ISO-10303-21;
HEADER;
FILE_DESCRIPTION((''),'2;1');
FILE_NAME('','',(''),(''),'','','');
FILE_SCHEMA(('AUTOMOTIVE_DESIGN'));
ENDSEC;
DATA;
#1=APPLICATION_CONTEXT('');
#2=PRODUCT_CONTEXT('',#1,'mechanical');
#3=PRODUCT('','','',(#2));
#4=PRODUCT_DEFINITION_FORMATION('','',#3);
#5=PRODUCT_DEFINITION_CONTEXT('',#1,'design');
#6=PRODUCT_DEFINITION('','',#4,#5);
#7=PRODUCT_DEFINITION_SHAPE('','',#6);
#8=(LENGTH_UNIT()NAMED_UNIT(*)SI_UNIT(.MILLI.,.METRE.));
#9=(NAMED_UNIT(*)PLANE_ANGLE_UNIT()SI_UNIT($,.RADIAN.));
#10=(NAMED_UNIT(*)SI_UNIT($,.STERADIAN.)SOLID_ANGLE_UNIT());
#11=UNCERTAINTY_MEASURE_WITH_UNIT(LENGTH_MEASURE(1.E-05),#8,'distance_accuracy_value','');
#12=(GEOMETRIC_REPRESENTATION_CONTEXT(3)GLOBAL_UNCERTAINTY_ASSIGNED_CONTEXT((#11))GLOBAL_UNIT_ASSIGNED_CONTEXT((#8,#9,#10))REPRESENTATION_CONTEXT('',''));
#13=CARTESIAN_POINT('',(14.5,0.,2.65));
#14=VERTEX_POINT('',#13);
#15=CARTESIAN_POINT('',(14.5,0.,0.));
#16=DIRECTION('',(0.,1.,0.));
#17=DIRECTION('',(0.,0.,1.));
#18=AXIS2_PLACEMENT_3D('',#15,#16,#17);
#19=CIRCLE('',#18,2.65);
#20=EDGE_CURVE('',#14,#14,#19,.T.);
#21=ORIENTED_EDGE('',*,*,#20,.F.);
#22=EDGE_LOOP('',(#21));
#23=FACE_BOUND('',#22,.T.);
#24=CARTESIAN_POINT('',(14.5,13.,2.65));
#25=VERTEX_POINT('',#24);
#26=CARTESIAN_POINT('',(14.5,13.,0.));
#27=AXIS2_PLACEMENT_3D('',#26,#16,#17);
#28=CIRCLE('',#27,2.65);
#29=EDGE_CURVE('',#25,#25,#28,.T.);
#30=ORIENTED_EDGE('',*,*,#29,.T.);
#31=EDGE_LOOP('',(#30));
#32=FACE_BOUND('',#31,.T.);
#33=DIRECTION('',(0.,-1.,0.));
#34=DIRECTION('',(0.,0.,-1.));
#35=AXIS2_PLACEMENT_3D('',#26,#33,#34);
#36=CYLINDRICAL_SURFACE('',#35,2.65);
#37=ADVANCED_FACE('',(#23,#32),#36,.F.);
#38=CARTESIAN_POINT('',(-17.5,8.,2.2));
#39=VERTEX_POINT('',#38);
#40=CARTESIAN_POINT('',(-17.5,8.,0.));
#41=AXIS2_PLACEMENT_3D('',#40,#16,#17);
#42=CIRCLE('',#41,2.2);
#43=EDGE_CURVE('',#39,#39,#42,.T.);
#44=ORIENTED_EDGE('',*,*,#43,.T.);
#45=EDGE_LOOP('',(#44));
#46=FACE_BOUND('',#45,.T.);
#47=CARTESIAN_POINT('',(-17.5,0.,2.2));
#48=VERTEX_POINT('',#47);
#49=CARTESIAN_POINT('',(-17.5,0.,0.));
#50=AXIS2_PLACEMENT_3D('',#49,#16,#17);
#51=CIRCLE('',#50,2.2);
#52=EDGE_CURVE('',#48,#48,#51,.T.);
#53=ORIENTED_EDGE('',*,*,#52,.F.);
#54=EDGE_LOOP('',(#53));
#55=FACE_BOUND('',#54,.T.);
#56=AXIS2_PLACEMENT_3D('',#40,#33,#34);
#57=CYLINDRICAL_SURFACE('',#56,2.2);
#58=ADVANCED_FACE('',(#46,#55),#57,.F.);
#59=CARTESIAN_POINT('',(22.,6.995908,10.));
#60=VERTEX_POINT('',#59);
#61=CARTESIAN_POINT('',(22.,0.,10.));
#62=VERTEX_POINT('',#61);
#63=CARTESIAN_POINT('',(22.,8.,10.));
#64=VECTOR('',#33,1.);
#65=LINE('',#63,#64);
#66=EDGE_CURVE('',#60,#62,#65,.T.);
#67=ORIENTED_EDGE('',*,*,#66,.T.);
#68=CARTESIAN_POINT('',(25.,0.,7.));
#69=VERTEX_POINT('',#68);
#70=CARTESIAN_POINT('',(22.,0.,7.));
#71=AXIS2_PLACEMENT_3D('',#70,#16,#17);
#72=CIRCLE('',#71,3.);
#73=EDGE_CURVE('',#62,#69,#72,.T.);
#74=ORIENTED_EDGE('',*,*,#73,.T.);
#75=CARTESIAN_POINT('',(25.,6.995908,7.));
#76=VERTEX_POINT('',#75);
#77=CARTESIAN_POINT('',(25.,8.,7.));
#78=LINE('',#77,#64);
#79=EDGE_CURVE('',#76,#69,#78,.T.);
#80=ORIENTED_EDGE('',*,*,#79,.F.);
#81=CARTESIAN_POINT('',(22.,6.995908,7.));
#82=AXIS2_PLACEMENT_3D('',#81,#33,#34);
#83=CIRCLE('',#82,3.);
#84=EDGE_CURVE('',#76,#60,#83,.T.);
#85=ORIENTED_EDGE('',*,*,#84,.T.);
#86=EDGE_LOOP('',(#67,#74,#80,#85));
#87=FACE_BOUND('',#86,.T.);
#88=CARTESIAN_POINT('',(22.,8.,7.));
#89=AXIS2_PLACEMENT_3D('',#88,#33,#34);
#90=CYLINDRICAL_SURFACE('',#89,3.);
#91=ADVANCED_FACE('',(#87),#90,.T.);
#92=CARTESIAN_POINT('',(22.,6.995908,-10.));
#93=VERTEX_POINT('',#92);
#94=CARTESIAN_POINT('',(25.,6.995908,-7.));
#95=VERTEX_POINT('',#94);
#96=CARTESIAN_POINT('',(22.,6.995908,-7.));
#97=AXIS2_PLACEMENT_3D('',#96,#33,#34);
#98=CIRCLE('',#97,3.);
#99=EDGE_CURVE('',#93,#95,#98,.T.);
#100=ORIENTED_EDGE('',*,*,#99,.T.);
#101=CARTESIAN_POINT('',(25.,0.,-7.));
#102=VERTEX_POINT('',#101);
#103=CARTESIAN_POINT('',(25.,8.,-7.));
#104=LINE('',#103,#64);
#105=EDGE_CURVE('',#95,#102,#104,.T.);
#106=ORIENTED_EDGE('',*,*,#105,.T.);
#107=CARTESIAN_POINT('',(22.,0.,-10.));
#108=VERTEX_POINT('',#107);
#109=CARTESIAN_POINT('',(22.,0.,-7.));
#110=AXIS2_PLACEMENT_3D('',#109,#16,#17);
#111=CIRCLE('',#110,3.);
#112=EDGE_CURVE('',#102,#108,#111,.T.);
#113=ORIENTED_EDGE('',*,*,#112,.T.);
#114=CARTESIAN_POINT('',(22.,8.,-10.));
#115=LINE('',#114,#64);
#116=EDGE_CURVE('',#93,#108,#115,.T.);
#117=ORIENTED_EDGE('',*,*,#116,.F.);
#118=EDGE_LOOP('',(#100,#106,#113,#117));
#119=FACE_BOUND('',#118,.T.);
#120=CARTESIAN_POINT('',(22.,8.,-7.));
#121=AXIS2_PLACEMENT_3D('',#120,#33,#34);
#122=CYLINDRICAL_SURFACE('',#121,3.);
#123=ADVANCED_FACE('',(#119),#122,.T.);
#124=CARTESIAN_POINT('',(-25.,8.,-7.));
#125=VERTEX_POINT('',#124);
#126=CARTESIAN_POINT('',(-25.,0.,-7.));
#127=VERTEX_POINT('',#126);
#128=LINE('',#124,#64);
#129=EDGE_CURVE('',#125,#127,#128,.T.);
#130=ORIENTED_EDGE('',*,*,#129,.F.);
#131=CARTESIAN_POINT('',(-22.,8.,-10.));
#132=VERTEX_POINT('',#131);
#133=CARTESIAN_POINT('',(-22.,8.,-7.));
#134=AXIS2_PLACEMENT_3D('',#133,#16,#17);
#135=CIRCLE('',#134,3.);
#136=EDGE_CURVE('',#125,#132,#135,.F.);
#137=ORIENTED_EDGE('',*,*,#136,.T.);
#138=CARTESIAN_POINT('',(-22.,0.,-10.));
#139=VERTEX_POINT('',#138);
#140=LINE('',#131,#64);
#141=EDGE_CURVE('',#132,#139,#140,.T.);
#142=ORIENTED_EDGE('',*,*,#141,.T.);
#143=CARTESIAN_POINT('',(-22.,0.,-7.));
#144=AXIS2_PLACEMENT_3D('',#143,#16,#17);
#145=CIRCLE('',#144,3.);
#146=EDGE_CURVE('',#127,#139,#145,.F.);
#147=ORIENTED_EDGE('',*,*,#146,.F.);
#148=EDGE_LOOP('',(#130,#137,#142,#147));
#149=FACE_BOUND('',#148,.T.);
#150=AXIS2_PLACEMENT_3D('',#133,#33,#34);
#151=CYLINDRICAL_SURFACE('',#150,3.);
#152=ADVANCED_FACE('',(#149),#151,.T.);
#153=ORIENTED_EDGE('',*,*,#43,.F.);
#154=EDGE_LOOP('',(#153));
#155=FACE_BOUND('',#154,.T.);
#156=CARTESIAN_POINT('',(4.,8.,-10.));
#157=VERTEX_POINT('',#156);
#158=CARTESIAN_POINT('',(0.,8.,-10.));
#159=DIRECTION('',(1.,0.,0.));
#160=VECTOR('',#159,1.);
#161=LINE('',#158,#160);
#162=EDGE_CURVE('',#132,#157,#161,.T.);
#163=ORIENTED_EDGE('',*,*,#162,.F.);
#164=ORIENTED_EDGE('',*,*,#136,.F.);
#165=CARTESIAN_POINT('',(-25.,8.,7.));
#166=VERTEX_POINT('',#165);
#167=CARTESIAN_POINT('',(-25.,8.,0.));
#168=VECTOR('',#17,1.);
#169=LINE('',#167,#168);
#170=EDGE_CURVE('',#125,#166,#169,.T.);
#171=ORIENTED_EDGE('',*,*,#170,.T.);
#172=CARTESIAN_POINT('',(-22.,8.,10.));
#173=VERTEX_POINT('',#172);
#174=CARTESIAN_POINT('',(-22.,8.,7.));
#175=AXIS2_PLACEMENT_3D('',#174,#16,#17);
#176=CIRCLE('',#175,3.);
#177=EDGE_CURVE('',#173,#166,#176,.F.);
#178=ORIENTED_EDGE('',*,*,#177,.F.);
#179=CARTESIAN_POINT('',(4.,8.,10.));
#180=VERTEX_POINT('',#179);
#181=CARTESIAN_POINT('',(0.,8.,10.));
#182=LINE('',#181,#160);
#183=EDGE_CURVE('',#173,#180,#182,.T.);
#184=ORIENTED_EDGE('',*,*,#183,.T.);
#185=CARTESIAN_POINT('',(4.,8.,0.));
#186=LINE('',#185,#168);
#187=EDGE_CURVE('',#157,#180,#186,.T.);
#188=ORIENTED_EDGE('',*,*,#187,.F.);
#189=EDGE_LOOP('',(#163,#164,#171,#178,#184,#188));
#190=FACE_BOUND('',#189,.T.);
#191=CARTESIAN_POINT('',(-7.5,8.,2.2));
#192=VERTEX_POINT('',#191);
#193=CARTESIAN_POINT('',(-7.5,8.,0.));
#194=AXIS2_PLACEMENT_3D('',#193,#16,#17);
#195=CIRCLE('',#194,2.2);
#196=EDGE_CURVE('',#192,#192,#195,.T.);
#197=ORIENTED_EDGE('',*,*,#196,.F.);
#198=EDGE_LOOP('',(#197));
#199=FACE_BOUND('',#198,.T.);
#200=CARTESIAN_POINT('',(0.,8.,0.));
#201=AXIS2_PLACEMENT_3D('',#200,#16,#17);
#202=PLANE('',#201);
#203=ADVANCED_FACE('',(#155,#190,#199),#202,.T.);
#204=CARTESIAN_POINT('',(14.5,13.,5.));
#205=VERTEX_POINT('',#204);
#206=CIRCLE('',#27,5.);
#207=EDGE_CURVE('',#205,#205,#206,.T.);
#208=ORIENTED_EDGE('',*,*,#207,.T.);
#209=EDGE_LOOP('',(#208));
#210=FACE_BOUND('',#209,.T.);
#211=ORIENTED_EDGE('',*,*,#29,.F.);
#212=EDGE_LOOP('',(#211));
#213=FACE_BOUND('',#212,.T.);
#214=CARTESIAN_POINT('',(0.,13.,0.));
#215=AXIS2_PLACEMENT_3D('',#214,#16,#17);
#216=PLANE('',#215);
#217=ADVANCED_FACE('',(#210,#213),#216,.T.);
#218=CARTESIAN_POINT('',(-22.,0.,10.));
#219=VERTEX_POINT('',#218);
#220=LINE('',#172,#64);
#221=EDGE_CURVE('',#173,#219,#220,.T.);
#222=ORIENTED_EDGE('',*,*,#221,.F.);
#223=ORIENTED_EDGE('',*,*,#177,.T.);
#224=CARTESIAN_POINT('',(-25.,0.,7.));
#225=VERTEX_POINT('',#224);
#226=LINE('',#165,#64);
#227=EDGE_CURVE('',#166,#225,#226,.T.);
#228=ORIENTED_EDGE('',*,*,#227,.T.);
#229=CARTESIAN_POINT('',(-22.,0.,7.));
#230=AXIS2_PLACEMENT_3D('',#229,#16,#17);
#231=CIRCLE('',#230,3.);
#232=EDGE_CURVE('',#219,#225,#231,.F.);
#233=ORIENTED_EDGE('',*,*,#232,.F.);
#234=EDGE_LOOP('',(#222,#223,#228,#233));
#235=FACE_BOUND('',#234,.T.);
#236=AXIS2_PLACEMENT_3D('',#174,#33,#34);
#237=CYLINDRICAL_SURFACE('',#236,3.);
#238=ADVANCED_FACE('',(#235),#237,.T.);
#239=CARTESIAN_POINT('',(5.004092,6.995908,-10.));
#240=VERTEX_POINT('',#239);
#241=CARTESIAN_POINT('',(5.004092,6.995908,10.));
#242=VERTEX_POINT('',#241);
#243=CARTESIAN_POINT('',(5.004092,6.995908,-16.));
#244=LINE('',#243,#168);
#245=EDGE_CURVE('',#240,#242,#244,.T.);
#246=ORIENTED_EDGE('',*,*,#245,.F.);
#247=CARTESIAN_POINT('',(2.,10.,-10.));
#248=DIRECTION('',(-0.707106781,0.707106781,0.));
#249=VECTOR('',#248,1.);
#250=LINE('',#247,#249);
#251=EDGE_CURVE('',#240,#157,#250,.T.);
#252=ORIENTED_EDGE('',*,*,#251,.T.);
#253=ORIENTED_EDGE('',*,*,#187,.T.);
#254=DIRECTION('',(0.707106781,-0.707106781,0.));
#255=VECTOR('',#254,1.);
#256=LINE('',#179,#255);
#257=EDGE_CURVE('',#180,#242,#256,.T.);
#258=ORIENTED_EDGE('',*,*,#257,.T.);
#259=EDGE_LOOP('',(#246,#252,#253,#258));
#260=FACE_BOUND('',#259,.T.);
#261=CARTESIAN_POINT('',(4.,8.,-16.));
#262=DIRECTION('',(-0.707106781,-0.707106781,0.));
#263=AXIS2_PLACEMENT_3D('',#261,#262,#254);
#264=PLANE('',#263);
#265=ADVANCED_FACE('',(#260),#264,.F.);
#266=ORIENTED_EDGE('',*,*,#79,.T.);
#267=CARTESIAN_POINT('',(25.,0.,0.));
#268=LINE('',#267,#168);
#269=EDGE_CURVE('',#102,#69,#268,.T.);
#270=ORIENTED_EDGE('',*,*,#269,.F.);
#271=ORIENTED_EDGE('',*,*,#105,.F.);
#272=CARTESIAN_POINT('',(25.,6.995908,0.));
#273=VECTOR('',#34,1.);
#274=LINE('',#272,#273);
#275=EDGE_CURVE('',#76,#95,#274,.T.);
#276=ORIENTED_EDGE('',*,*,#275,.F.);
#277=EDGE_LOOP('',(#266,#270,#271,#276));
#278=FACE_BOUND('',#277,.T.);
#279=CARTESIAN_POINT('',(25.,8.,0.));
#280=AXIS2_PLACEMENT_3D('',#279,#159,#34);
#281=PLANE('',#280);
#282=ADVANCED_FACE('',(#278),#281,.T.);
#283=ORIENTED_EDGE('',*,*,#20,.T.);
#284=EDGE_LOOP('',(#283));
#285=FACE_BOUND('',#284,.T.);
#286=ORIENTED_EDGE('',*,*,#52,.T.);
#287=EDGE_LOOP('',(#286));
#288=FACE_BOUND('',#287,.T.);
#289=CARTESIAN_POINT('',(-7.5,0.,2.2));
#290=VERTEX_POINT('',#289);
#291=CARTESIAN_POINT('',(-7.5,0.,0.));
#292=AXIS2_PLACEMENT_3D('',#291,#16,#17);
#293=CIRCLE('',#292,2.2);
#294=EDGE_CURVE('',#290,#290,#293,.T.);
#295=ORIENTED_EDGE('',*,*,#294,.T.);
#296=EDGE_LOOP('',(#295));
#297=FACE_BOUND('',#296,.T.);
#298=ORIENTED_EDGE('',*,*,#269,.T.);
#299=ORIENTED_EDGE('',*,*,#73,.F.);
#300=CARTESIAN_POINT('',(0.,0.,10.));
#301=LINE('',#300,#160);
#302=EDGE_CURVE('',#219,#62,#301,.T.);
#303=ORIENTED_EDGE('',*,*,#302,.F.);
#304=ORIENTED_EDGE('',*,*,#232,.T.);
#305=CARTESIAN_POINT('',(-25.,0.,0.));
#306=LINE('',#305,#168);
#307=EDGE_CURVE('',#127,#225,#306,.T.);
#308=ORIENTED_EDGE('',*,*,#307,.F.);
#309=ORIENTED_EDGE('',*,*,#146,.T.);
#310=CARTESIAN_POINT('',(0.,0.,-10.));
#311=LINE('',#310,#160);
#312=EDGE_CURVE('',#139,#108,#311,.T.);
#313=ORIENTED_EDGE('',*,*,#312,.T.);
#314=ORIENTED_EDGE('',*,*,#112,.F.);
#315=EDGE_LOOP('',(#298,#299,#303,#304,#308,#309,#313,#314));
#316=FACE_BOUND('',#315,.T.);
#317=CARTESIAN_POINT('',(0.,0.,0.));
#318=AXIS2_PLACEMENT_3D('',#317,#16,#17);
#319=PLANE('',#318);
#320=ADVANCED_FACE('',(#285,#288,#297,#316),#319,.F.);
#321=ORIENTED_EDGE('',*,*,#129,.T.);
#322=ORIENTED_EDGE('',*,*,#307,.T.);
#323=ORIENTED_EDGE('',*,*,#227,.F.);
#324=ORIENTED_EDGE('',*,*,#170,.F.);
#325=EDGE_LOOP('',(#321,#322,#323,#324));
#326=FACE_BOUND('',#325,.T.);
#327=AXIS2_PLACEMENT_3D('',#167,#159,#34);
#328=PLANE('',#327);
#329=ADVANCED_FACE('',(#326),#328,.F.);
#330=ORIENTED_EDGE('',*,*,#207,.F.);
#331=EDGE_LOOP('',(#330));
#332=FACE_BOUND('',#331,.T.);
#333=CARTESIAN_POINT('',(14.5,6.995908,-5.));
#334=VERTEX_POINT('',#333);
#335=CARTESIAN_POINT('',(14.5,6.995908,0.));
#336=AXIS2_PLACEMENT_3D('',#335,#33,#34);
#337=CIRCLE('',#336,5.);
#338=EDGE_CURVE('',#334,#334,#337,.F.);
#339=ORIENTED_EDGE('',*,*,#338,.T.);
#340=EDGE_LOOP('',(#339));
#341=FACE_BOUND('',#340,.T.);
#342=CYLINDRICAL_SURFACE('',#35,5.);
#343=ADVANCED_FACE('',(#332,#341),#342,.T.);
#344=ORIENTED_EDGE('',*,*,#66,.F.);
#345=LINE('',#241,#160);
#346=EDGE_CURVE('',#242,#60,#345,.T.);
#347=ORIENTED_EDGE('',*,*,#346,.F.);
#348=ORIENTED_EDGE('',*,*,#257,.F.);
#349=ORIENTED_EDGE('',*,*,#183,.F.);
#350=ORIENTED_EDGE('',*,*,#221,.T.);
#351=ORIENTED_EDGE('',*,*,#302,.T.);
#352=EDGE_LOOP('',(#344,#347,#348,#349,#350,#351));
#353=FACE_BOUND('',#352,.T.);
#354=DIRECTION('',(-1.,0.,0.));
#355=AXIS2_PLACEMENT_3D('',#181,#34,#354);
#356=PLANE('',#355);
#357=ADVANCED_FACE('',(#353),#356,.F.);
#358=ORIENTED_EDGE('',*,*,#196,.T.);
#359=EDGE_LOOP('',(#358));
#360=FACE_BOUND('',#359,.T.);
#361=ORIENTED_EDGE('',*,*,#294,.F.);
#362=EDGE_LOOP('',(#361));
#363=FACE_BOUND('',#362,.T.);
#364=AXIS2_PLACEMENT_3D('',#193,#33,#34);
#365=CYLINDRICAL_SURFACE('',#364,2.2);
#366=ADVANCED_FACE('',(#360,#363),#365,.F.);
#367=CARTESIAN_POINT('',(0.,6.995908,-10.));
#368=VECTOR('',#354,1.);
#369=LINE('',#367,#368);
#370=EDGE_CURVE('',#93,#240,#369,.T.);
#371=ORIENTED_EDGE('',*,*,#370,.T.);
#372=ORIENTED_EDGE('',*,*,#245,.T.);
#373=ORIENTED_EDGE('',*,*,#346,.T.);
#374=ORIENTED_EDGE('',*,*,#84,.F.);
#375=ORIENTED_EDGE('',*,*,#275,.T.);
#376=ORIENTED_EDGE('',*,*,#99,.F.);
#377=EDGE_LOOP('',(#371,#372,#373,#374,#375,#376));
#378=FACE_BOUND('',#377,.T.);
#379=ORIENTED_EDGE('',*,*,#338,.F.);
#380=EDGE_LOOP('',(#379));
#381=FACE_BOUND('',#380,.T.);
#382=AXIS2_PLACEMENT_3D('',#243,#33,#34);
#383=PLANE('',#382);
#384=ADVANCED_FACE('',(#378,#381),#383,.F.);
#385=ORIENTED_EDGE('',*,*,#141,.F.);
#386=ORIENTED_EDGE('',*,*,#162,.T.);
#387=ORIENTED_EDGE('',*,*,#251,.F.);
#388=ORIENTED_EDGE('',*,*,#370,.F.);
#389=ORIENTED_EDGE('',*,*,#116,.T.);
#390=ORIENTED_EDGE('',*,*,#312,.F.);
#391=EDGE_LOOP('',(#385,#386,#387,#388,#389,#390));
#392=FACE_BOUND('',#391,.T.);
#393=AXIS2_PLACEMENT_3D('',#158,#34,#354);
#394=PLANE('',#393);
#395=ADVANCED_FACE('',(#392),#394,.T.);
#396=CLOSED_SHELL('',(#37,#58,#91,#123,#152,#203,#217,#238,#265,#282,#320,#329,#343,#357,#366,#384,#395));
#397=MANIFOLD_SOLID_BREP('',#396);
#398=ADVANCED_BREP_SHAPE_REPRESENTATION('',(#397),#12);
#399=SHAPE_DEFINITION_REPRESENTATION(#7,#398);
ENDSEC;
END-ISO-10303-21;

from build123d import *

# Parameters (mm, degrees)
CROQUIS1_R              = 2.2
CROQUIS1_R_2            = 5
SALIENTE_EXTRUIR1_DEPTH = 8
CORTAR_EXTRUIR1_DEPTH   = 26
CROQUIS1_3_R            = 5
CROQUIS1_3_R_2          = 2.65
SALIENTE_EXTRUIR2_DEPTH = 13


with BuildPart() as part:
    # Croquis1 → Saliente-Extruir1 (new body)
    with BuildSketch(Plane(origin=(0, 0, 0), x_dir=(1, 0, 0), z_dir=(0, 1, 0))):
        with BuildLine():
            ThreePointArc((-25, -7), (-24.121320344, -9.121320344), (-22, -10))
            Line((-22, -10), (22, -10))
            ThreePointArc((22, -10), (24.121320344, -9.121320344), (25, -7))
            Line((25, -7), (25, 7))
            ThreePointArc((25, 7), (24.121320344, 9.121320344), (22, 10))
            Line((22, 10), (-22, 10))
            ThreePointArc((-22, 10), (-24.121320344, 9.121320344), (-25, 7))
            Line((-25, 7), (-25, -7))
        make_face()
        with Locations((-17.5, 0)):
            Circle(CROQUIS1_R, mode=Mode.SUBTRACT)
        with Locations((-7.5, 0)):
            Circle(CROQUIS1_R, mode=Mode.SUBTRACT)
        with Locations((14.5, 0)):
            Circle(CROQUIS1_R_2, mode=Mode.SUBTRACT)
    extrude(amount=SALIENTE_EXTRUIR1_DEPTH)

    # Croquis2 → Cortar-Extruir1 (cut)
    with BuildSketch(Plane.XY.offset(10)):
        Polygon((4, 8), (5.004091629, 6.995908371), (27.295002856, 6.995908371), (27.295002856, 8), align=None)
    extrude(amount=-CORTAR_EXTRUIR1_DEPTH, mode=Mode.SUBTRACT)

    # Croquis1<3> → Saliente-Extruir2 (add)
    with BuildSketch(Plane(origin=(0, 0, 0), x_dir=(1, 0, 0), z_dir=(0, 1, 0))):
        with Locations((14.5, 0)):
            Circle(CROQUIS1_3_R)
        with Locations((14.5, 0)):
            Circle(CROQUIS1_3_R_2, mode=Mode.SUBTRACT)
    extrude(amount=SALIENTE_EXTRUIR2_DEPTH)


solid = part.part
